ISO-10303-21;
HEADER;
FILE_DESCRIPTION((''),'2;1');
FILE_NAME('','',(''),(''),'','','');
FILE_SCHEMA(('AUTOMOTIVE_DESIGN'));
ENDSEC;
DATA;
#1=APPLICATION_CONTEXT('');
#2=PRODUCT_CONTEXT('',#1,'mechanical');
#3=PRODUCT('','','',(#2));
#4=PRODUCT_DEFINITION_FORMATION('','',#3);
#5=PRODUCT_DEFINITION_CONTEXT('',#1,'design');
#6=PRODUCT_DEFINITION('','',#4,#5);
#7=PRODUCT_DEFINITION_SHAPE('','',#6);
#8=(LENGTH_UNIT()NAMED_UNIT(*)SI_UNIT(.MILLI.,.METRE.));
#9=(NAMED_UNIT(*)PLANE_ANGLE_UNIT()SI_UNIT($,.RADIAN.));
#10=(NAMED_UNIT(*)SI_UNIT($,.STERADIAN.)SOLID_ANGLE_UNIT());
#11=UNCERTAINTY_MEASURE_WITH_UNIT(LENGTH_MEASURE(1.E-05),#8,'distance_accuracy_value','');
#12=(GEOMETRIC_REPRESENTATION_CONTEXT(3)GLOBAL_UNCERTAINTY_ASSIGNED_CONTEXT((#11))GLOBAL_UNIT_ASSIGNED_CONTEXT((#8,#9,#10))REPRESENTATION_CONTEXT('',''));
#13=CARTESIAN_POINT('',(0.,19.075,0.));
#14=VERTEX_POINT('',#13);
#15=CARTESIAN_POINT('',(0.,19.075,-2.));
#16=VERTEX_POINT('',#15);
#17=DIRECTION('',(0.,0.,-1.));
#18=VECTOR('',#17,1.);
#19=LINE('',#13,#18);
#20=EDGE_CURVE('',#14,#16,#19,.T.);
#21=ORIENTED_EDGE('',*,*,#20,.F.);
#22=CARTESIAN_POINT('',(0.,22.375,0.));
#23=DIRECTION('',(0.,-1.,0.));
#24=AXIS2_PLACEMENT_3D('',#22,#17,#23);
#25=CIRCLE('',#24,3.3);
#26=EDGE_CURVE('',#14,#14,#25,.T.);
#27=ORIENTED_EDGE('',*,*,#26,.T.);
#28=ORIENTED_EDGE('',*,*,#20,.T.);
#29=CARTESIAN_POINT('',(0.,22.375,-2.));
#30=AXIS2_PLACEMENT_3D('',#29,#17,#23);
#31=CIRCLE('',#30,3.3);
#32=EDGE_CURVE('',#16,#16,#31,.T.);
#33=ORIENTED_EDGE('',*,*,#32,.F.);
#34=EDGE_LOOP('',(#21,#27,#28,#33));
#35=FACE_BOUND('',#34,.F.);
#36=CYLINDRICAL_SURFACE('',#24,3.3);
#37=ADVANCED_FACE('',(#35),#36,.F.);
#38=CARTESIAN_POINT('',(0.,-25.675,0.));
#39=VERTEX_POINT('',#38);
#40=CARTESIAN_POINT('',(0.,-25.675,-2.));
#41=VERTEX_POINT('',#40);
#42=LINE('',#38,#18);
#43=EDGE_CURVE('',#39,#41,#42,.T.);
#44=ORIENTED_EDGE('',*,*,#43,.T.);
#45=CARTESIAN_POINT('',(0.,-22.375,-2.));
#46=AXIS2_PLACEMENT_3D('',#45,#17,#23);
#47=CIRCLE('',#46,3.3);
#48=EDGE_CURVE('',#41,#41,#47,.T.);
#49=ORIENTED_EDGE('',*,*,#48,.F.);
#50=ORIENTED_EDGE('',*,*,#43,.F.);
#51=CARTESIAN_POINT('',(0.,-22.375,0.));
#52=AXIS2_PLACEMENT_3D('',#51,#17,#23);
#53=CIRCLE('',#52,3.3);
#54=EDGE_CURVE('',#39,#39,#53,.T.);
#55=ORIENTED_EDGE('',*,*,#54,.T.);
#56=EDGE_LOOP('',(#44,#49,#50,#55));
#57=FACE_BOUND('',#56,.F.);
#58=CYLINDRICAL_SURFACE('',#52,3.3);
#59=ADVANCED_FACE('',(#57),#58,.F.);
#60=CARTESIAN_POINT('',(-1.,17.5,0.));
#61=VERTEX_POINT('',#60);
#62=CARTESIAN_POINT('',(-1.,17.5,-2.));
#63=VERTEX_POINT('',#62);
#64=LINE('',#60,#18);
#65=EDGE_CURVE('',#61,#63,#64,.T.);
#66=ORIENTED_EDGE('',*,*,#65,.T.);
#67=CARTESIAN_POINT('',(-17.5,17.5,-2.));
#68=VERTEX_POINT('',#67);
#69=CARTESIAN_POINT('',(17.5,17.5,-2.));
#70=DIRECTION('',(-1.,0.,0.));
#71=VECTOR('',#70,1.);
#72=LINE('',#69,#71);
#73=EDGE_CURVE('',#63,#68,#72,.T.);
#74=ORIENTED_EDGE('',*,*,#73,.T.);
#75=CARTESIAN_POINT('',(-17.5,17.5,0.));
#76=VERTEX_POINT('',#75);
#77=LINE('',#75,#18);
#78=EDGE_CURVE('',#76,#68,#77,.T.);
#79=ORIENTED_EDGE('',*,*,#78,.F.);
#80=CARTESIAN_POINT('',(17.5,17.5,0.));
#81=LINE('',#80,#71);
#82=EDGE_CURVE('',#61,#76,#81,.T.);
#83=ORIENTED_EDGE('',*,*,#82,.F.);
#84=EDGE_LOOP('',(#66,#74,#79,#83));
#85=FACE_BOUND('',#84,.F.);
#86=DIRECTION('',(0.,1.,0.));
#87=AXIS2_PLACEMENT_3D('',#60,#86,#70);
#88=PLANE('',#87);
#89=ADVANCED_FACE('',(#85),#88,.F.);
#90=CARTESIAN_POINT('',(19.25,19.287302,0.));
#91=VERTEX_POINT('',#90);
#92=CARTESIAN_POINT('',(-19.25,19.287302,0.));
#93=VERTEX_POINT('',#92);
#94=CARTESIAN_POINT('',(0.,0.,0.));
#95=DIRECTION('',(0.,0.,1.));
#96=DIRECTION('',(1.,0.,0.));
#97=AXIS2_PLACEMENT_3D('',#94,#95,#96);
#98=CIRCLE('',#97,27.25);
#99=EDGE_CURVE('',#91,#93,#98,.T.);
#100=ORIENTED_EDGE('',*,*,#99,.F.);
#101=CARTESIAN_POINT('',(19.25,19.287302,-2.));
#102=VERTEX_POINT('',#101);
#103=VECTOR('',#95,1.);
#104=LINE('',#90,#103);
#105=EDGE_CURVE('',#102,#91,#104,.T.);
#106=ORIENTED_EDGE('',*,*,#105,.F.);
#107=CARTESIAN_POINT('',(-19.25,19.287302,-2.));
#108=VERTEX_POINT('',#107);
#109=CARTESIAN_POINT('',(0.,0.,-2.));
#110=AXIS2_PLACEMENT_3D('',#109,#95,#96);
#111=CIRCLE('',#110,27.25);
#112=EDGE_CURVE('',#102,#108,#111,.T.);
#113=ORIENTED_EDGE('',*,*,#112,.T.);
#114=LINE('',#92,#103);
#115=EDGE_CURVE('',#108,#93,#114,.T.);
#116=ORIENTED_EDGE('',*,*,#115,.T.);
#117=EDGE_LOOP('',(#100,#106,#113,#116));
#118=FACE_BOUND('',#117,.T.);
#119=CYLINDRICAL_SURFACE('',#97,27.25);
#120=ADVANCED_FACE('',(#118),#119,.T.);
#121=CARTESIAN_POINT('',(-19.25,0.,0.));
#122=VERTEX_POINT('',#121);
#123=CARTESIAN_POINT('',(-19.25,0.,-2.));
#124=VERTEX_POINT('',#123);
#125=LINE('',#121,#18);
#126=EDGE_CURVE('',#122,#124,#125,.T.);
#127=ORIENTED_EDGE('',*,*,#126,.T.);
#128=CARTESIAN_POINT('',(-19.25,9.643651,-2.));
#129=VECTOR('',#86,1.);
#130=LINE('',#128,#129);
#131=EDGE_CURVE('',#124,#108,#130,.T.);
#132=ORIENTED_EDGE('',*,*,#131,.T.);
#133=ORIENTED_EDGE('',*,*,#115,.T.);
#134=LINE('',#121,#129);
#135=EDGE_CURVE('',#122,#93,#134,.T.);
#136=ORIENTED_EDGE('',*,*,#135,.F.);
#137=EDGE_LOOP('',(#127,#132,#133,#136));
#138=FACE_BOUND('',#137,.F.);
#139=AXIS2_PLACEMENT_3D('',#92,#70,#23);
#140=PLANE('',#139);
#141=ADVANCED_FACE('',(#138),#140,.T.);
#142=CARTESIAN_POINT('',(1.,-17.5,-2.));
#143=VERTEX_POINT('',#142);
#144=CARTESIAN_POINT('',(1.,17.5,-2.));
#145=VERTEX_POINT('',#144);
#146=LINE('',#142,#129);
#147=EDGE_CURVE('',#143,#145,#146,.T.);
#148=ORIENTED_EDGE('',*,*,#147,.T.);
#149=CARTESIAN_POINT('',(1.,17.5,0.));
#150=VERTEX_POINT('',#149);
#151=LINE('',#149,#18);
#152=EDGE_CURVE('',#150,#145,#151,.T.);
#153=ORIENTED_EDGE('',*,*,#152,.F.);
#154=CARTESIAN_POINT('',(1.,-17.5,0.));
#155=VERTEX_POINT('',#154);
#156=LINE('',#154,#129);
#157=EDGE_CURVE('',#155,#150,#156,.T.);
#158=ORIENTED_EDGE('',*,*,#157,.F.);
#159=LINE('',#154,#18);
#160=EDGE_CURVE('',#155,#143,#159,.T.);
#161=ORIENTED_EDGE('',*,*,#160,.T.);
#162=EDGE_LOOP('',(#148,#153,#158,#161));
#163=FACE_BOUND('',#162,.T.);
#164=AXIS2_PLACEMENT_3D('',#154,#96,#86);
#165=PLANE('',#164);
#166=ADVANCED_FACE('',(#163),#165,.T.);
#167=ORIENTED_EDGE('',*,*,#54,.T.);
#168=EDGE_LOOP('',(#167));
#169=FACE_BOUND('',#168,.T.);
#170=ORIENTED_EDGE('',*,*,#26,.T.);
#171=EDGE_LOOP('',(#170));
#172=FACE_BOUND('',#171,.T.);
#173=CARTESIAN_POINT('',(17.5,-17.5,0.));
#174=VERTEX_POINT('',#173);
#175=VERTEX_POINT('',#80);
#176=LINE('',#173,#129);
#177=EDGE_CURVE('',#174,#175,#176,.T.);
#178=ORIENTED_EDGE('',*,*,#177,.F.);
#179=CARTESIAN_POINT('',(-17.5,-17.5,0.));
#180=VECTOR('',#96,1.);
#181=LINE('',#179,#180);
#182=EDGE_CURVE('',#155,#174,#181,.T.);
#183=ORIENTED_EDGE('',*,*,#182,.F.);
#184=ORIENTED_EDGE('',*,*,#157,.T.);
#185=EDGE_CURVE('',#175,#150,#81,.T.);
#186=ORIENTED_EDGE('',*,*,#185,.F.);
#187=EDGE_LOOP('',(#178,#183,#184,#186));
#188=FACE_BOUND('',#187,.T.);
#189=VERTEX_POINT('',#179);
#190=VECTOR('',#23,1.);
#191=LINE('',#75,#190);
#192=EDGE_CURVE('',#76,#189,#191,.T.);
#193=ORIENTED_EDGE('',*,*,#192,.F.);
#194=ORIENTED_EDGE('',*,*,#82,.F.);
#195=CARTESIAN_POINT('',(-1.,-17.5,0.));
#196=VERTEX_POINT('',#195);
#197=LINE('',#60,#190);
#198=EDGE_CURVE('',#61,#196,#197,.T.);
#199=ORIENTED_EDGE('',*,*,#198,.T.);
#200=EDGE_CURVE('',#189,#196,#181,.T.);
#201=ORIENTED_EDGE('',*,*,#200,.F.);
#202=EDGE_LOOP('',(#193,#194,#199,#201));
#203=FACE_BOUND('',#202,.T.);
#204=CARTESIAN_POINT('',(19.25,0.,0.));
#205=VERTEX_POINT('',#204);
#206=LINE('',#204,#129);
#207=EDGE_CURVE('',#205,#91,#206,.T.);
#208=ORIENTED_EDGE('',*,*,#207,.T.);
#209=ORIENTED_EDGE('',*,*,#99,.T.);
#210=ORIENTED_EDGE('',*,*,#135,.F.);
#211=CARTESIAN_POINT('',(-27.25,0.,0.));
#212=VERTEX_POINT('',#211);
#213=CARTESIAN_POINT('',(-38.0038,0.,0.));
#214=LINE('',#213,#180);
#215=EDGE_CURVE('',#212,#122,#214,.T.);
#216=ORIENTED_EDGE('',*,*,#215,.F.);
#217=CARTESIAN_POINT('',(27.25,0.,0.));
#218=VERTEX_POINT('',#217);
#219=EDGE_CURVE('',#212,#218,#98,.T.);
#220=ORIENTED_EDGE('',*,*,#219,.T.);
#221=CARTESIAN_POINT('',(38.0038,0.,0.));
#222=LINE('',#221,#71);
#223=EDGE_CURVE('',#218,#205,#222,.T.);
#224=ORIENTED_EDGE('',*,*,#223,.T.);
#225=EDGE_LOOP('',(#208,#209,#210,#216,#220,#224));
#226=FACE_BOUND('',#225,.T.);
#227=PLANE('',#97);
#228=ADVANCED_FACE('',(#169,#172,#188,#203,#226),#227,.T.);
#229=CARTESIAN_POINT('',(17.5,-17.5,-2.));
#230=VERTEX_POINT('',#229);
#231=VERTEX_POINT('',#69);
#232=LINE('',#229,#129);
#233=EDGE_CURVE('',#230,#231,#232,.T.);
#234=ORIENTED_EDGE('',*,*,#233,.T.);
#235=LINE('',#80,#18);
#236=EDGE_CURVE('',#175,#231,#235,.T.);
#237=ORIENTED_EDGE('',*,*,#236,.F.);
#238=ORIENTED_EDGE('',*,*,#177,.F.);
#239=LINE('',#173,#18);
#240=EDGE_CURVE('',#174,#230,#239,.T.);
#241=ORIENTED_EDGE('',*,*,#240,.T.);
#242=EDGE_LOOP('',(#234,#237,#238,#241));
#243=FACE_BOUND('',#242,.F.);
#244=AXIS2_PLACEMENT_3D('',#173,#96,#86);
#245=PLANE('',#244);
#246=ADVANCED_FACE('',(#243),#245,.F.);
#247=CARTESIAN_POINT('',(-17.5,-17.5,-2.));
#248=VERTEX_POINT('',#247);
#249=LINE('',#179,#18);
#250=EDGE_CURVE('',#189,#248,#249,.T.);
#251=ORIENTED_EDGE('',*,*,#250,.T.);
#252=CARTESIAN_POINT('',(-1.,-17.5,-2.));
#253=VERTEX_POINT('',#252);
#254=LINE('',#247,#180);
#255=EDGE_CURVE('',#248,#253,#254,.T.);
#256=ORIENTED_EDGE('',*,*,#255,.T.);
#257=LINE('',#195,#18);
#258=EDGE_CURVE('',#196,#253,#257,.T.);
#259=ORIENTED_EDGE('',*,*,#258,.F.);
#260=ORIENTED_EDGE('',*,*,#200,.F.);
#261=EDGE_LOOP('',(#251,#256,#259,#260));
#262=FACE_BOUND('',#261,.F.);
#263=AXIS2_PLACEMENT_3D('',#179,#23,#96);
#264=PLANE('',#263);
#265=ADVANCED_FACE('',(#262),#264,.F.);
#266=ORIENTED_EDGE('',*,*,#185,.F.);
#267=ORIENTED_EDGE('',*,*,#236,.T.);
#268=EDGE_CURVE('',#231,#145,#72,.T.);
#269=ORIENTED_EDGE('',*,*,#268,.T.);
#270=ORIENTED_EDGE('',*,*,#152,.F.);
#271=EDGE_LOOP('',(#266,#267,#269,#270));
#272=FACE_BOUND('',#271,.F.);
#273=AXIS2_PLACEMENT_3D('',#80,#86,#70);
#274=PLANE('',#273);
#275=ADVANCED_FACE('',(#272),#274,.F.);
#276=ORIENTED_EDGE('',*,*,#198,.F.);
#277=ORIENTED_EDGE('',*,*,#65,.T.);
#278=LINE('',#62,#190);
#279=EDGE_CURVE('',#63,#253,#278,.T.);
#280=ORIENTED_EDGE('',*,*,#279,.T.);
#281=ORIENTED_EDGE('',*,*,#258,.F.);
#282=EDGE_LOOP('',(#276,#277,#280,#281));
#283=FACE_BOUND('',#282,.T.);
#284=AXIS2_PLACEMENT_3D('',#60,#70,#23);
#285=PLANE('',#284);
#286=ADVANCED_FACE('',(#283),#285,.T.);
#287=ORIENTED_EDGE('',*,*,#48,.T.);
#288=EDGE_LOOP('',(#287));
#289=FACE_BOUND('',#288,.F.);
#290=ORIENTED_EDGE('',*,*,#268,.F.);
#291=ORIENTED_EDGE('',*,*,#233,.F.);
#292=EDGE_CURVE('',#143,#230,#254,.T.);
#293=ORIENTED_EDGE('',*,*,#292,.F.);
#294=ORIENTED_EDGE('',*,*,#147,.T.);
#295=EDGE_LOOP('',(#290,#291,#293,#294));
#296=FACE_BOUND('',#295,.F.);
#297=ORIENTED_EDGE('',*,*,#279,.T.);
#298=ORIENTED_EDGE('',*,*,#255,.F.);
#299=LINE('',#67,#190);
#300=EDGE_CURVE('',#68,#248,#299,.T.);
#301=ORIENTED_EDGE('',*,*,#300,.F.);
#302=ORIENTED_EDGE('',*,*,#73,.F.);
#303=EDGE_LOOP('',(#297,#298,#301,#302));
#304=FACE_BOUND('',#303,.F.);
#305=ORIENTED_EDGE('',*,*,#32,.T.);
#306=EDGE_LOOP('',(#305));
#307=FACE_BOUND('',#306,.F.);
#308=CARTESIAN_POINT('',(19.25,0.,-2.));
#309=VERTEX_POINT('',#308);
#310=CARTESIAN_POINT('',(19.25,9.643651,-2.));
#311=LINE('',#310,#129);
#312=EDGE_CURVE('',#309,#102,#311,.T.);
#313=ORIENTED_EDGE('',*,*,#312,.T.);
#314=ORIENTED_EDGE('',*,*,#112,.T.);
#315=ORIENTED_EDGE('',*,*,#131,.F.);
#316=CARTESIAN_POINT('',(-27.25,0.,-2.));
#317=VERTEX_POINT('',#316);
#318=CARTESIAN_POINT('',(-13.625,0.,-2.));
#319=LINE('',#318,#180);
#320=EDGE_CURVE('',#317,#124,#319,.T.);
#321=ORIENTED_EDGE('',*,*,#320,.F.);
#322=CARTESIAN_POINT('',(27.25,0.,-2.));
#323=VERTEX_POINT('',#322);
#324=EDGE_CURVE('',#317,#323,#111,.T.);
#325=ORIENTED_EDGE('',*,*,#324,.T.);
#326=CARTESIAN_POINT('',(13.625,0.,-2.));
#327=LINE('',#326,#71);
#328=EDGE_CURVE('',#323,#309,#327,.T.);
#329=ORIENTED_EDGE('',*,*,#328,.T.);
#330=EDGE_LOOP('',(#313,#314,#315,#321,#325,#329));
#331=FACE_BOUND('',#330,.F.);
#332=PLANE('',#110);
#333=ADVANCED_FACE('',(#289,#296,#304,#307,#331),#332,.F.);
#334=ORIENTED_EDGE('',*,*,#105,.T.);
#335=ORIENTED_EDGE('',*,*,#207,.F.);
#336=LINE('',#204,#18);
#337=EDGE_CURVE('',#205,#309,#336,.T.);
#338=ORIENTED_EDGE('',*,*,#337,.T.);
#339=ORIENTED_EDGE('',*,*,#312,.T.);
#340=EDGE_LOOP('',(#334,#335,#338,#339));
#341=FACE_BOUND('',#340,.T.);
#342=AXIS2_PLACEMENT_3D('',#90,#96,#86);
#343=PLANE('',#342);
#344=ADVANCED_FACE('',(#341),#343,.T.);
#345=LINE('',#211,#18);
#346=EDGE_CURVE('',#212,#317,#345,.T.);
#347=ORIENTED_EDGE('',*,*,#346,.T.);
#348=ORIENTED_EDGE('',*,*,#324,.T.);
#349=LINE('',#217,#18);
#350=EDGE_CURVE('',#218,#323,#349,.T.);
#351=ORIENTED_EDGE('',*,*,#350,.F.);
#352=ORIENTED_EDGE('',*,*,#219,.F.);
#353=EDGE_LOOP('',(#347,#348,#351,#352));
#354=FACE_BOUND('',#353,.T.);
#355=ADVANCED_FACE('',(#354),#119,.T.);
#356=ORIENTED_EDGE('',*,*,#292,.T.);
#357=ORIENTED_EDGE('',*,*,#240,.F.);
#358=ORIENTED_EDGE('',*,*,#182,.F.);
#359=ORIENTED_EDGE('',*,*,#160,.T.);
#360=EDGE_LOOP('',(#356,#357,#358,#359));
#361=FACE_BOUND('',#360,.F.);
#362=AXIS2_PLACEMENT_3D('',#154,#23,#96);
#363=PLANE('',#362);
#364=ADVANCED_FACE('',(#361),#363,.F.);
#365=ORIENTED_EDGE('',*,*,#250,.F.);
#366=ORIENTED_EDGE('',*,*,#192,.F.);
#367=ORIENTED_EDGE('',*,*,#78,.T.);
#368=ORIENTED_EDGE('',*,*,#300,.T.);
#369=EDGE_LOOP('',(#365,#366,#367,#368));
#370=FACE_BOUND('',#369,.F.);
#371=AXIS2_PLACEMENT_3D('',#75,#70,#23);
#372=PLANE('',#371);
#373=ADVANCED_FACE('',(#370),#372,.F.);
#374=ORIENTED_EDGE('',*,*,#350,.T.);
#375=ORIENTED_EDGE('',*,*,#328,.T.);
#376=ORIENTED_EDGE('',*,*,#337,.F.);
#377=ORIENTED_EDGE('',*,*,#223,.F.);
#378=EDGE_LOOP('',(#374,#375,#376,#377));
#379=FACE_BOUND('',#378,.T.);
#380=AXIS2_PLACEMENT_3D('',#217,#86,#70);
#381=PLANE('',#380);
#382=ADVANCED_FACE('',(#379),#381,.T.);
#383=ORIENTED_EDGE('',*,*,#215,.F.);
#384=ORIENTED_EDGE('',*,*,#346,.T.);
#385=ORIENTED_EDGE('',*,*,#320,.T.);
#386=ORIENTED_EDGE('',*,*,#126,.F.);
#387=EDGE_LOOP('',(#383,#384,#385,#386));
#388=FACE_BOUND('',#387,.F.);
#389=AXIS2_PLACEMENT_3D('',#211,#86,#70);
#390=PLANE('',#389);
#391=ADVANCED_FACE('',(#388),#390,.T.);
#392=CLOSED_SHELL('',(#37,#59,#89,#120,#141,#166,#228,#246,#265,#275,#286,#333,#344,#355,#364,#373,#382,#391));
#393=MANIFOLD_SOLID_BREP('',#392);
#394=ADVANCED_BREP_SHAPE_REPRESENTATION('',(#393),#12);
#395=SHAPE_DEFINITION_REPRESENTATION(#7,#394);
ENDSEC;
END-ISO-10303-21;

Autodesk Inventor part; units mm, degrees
ref_plane "YZ Plane" through (0, 0, 0) normal (1, 0, 0) x (0, 1, 0)
ref_plane "XZ Plane" through (0, 0, 0) normal (0, 1, 0) x (-1, 0, 0)
ref_plane "XY Plane" through (0, 0, 0) normal (0, 0, 1) x (1, 0, 0)
sketch "スケッチ1" plane through (0, 0, 0) normal (0, 0, 1) x (1, 0, 0)
  circle A0 centre (0, 0) radius 27.25
  line L0 (17.5, 17.5) -> (-17.5, 17.5)
  line L1 (-17.5, 17.5) -> (-17.5, -17.5)
  line L2 (-17.5, -17.5) -> (17.5, -17.5)
  line L3 (17.5, -17.5) -> (17.5, 17.5)
  line L4 (17.5, 17.5) -> (-17.5, -17.5) construction
  line L5 (-17.5, 17.5) -> (17.5, -17.5) construction
  line L6 (1, 17.5) -> (-1, 17.5)
  line L7 (-1, 17.5) -> (-1, -17.5)
  line L8 (-1, -17.5) -> (1, -17.5)
  line L9 (1, -17.5) -> (1, 17.5)
  line L10 (1, 17.5) -> (-1, -17.5) construction
  line L11 (-1, 17.5) -> (1, -17.5) construction
  point P0 (1, -17.5)
  point P1 (1, 17.5)
  point P2 (-1, 17.5)
  point P3 (-1, -17.5)
  dimension "d0" = 54.5
  dimension "d6" = 35
  dimension "d107" = 2
  dimension "d108" = 35
extrude "押し出し1" add sketch "スケッチ1" against normal blind 2 contours A0 | L9 L2 L7 L0
sketch "スケッチ2" plane through (0, 0, 0) normal (0, 0, 1) x (1, 0, 0)
  line L0 (0, 42.4511) -> (0, -37.5489)
  line L1 (38.0038, 0) -> (-41.9962, 0)
  line L2 (27.25, 42.0143) -> (27.25, -37.9857)
  circle A0 centre (0, 0) radius 27.25 projected
  line L3 (17.5, 17.5) -> (17.5, -17.5) projected
  line L4 (19.25, 25) -> (27.25, 25)
  line L5 (27.25, 25) -> (27.25, -25)
  line L6 (27.25, -25) -> (19.25, -25)
  line L7 (19.25, -25) -> (19.25, 25)
  line L8 (19.25, 25) -> (27.25, -25) construction
  line L9 (27.25, 25) -> (19.25, -25) construction
  point P0 (17.5, 0)
  point P1 (23.25, 0)
  point P2 (19.25, 0)
  point P3 (27.25, 0)
  dimension "d13" = 9.75
  dimension "d14" = 8
  dimension "d15" = 50
  dimension "d19" = 54.5
  dimension "d110" = 1.75
extrude "押し出し2" cut sketch "スケッチ2" against normal blind 10 contours L7 L4 L2 A0 | A0 L1 L7 picked at (20.3822, 11.481)
mirror "ミラー1" about plane through (0, 0, 0) normal (1, 0, 0) of "押し出し2"
sketch "スケッチ8" plane through (0, 0, 0) normal (0, 0, 1) x (1, 0, 0)
  circle A0 centre (0, 0) radius 22.375
  circle A1 centre (0, 0) radius 27.25
  line L0 (0, 31.1603) -> (0, -30.8706)
  point P0 (0, 0)
  point P1 (0, 22.375)
  point P2 (0, -22.375)
  dimension "d112" = 44.75
  dimension "d113" = 54.5
hole "穴5" at (0, 22.375, 0) at (0, -22.375, 0) direction (0, 0, -1) diameter 6.6 end through all clearance for "Countersunk Flat Head Screw ISO 2009/7046" size "M6" standard "ISO"
properties part number "Part3_A_Y" material "鋼、軟鋼"
